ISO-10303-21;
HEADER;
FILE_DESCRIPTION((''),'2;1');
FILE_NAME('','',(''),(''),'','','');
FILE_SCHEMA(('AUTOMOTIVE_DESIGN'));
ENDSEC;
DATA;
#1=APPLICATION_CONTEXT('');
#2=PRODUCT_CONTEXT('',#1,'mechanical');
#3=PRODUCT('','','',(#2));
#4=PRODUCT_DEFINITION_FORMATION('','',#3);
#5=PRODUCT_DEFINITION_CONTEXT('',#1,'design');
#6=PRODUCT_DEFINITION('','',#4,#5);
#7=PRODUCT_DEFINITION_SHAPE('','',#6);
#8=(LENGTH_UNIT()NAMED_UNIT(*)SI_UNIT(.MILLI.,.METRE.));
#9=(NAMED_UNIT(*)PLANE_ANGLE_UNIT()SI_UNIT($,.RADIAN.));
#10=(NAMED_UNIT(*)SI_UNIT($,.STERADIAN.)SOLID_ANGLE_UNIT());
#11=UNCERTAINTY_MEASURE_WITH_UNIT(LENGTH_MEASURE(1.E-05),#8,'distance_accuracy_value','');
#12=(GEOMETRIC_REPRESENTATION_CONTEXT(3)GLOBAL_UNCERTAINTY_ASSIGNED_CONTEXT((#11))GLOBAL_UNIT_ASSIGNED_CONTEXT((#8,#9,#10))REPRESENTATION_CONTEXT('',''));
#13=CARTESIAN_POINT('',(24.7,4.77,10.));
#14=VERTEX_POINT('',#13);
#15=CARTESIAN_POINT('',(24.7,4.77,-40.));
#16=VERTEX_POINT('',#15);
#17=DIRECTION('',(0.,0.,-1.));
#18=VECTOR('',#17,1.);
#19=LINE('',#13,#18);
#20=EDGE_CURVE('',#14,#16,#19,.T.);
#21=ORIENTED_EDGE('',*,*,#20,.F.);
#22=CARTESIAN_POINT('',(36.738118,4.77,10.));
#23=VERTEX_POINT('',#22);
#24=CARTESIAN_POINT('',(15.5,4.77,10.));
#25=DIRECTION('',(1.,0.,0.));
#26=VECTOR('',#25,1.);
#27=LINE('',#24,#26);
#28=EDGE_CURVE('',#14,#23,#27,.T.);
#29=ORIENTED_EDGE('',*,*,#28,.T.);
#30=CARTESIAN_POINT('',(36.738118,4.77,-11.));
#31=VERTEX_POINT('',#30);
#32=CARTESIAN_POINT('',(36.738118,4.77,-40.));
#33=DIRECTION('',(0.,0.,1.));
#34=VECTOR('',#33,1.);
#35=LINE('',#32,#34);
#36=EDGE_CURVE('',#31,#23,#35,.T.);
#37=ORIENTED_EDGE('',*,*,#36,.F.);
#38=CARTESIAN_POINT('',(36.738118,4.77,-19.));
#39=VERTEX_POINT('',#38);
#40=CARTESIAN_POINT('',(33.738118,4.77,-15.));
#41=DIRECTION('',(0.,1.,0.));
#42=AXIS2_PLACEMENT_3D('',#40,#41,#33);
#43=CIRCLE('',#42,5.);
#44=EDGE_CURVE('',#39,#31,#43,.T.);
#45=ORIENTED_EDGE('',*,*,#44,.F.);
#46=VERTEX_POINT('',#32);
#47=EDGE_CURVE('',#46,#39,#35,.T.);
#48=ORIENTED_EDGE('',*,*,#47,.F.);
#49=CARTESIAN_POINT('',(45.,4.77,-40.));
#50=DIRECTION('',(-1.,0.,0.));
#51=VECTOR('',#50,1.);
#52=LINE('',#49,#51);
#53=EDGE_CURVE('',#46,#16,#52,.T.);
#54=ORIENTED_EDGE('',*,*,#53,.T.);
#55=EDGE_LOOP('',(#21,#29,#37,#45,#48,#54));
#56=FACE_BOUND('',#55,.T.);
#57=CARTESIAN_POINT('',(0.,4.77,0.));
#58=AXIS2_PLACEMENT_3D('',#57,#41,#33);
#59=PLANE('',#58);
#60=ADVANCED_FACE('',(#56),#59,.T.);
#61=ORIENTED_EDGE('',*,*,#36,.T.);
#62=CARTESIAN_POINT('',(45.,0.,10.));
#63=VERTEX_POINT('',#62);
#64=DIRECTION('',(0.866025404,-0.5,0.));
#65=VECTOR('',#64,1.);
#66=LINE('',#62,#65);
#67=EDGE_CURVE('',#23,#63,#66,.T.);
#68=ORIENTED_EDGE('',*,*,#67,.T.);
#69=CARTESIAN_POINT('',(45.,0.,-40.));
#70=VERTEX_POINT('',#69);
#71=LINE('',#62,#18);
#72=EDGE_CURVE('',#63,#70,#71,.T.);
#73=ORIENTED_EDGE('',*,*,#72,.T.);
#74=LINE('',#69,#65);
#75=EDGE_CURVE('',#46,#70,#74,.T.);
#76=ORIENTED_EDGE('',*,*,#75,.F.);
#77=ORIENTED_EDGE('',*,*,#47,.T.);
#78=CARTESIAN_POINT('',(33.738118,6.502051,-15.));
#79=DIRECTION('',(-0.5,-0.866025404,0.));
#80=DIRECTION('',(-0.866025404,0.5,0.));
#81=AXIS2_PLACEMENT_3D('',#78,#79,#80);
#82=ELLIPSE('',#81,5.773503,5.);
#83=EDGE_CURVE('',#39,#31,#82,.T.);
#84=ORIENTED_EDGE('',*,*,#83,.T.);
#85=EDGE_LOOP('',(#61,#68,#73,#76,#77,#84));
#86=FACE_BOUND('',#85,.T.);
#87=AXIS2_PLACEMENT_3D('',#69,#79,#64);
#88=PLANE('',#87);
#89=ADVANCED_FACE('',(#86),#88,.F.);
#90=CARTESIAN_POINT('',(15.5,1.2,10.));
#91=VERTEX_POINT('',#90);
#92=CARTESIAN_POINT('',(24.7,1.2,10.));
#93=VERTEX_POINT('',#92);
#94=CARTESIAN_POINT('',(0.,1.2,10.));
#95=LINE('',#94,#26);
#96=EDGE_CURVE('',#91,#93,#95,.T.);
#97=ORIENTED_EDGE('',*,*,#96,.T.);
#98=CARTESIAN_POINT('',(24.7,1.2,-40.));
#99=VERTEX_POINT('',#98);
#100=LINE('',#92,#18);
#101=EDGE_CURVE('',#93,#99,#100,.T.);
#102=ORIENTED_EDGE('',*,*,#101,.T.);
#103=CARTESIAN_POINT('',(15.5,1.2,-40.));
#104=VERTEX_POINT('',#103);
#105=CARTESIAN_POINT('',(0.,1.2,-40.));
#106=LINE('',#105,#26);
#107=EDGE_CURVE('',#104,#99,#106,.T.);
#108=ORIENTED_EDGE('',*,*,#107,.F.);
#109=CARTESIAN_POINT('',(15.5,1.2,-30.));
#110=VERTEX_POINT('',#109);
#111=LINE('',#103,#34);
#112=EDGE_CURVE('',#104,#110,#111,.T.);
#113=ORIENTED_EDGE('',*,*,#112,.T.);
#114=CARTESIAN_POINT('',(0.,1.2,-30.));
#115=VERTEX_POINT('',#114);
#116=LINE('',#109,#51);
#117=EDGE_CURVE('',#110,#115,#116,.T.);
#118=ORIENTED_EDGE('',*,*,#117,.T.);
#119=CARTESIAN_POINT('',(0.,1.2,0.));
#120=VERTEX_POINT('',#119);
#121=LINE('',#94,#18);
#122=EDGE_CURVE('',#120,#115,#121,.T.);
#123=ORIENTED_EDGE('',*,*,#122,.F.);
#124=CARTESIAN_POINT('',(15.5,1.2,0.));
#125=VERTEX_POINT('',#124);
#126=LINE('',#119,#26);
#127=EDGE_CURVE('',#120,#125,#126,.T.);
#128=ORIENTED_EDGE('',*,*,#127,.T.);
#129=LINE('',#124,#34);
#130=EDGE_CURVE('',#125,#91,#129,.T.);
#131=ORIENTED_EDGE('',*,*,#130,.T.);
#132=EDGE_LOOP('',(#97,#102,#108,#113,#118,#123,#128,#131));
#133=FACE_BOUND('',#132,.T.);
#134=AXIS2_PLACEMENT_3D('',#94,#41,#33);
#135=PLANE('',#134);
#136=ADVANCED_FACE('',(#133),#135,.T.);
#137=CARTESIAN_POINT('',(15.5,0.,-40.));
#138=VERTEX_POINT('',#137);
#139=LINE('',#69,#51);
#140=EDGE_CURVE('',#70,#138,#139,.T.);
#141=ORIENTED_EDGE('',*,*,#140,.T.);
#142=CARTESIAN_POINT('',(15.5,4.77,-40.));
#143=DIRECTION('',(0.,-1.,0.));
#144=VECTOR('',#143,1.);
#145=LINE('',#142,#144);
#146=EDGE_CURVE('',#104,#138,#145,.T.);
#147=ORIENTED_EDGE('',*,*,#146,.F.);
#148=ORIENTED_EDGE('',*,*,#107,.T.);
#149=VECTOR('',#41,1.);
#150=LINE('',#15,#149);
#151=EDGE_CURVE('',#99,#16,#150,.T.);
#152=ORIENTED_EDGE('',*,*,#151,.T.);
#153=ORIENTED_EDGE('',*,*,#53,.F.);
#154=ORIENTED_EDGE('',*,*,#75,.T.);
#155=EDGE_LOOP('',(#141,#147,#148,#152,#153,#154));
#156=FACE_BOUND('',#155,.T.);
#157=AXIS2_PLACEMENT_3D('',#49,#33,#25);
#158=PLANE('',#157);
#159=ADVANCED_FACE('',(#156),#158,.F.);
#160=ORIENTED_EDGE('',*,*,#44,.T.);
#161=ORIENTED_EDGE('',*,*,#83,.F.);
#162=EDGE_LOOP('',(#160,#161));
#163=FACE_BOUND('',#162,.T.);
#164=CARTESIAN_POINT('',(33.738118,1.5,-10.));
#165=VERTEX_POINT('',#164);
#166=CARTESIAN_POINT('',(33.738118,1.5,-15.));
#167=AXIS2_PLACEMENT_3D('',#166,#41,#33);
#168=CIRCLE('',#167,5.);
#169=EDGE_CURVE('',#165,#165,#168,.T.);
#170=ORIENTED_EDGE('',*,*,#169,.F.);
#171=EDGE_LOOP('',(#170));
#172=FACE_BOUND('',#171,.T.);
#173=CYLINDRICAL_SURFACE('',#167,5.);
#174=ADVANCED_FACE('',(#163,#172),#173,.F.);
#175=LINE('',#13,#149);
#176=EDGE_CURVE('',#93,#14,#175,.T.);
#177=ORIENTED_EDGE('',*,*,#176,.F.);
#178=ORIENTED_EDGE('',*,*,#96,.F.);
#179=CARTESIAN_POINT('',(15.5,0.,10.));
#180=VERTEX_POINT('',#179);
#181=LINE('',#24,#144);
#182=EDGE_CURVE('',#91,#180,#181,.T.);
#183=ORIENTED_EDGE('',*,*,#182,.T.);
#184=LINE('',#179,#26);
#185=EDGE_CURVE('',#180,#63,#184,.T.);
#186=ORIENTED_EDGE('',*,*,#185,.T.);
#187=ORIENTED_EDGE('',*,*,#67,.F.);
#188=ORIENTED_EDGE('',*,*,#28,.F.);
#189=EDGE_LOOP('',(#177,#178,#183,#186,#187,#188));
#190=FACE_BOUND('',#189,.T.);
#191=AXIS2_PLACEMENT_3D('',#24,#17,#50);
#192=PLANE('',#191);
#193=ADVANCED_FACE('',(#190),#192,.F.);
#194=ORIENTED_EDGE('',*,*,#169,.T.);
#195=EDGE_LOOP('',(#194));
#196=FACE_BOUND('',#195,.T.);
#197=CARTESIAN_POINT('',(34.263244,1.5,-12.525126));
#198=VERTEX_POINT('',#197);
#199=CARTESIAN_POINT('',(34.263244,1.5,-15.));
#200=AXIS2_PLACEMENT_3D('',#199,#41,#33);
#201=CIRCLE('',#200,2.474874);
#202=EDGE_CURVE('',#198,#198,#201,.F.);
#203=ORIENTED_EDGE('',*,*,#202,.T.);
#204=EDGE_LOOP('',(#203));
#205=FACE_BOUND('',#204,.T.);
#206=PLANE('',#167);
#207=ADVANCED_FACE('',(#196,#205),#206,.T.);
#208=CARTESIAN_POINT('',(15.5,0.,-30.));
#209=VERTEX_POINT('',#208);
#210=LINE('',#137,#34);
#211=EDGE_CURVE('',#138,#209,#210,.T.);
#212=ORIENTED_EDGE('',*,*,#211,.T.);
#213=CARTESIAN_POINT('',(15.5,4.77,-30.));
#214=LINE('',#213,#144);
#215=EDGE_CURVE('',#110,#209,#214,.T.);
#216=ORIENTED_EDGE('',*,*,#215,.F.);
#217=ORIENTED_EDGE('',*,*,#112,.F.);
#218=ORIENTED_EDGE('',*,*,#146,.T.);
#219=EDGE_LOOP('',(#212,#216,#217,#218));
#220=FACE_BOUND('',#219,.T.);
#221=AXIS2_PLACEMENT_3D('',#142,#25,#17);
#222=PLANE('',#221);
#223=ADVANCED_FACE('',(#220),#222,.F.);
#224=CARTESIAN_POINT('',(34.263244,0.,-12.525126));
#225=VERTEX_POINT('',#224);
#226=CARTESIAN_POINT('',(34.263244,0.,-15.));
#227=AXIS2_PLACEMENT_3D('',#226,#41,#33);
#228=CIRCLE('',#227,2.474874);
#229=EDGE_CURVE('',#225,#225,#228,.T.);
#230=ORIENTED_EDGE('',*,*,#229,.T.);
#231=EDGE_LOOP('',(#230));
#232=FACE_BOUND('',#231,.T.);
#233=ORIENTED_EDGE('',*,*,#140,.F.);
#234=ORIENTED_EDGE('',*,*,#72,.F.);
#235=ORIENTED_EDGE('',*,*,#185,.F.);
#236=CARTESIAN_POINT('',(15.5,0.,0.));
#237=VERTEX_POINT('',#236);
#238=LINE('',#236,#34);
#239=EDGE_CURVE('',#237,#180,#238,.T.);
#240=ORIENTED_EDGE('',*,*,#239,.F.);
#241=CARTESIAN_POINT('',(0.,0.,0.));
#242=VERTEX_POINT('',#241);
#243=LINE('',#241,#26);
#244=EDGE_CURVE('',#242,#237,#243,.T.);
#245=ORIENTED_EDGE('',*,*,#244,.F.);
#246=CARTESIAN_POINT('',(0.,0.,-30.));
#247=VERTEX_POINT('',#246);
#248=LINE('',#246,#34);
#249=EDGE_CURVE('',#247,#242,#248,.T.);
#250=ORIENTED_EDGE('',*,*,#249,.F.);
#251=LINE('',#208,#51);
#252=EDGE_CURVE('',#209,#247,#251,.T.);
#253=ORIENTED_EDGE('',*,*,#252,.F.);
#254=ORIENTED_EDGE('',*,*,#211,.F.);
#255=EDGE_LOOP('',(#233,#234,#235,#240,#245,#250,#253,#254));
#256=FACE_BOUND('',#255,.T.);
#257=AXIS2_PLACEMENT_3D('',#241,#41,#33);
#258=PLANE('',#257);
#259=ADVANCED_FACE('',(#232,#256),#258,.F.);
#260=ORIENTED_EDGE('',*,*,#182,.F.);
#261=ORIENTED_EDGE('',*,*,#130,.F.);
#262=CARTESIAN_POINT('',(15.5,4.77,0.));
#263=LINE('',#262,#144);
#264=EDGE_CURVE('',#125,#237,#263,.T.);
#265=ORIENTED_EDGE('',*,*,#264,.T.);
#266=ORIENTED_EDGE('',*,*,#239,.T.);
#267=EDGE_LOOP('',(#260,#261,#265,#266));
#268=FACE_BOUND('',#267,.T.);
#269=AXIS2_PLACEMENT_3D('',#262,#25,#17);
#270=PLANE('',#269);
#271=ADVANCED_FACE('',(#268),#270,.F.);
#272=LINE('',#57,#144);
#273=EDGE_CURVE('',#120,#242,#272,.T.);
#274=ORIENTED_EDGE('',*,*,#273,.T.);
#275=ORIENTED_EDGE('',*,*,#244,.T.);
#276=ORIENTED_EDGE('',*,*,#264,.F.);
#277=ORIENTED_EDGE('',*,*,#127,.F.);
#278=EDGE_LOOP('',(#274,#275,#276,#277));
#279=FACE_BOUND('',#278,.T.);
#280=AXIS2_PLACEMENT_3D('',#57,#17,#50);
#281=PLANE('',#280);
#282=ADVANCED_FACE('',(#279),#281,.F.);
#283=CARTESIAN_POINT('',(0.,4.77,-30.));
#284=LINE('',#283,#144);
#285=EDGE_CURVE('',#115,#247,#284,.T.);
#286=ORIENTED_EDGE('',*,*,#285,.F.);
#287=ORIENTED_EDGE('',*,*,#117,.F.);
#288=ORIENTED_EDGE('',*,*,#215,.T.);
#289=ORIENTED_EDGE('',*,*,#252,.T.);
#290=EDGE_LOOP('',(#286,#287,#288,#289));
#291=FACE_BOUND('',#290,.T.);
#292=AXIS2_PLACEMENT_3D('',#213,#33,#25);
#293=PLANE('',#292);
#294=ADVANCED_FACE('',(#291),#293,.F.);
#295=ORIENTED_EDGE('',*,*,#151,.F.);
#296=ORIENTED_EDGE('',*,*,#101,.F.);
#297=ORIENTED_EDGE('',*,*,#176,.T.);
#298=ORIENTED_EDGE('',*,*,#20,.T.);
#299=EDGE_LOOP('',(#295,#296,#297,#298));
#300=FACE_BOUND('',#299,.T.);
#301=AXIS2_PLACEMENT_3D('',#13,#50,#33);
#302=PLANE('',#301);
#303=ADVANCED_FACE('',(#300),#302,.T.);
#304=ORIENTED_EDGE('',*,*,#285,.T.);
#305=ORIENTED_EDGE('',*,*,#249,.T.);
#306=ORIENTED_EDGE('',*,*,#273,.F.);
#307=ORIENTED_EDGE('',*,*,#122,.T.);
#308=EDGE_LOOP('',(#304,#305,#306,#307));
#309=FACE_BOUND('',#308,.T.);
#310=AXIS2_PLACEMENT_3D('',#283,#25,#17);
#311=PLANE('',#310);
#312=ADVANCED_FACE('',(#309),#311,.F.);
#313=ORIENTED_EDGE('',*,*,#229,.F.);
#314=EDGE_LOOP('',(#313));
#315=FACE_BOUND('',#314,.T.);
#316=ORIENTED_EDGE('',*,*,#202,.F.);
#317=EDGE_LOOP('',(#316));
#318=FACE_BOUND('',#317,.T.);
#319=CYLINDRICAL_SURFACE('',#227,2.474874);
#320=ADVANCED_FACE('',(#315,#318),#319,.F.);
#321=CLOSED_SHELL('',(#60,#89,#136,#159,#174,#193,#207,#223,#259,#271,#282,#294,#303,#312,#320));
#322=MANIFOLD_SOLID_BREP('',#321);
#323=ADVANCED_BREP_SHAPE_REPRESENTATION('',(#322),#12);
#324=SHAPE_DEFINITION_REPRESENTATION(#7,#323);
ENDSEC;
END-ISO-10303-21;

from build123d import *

# Parameters (mm, degrees)
SALIENTE_EXTRUIR1_DEPTH = 4.77
CORTAR_EXTRUIR1_START   = -40
CROQUIS2_W              = 24.7
CROQUIS2_H              = 3.57
CORTAR_EXTRUIR1_DEPTH   = 50
CORTAR_EXTRUIR2_START   = -50
CORTAR_EXTRUIR2_DEPTH   = 50
CORTAR_EXTRUIR3_START   = -4.77
CROQUIS4_R              = 2.474873734
CORTAR_EXTRUIR3_DEPTH   = 4.77
CROQUIS5_R              = 5
CORTAR_EXTRUIR4_DEPTH   = 3.27


with BuildPart() as part:
    # Croquis1 → Saliente-Extruir1 (new body)
    with BuildSketch(Plane(origin=(0, 0, 0), x_dir=(1, 0, 0), z_dir=(0, 1, 0))):
        Polygon((0, 0), (15.5, 0), (15.5, -10), (45, -10), (45, 40), (15.5, 40), (15.5, 30), (0, 30), align=None)
    extrude(amount=SALIENTE_EXTRUIR1_DEPTH)

    # Croquis2 → Cortar-Extruir1 (cut)
    with BuildSketch(Plane.XY.offset(CORTAR_EXTRUIR1_START)):
        with Locations((12.35, 2.985)):
            Rectangle(CROQUIS2_W, CROQUIS2_H)
    extrude(amount=CORTAR_EXTRUIR1_DEPTH, mode=Mode.SUBTRACT)

    # Croquis3 → Cortar-Extruir2 (cut)
    with BuildSketch(Plane.XY.offset(10).offset(CORTAR_EXTRUIR2_START)):
        Polygon((45, 0), (36.738117648, 4.77), (45, 4.77), align=None)
    extrude(amount=CORTAR_EXTRUIR2_DEPTH, mode=Mode.SUBTRACT)

    # Croquis4 → Cortar-Extruir3 (cut)
    with BuildSketch(Plane(origin=(0, 4.77, 0), x_dir=(1, 0, 0), z_dir=(0, 1, 0)).offset(CORTAR_EXTRUIR3_START)):
        with Locations(Location((34.263243914, 15, 0), (0, 0, 270))):
            Circle(CROQUIS4_R)
    extrude(amount=CORTAR_EXTRUIR3_DEPTH, mode=Mode.SUBTRACT)

    # Croquis5 → Cortar-Extruir4 (cut)
    with BuildSketch(Plane(origin=(0, 4.77, 0), x_dir=(1, 0, 0), z_dir=(0, 1, 0))):
        with Locations(Location((33.738117648, 15, 0), (0, 0, 270))):
            Circle(CROQUIS5_R)
    extrude(amount=-CORTAR_EXTRUIR4_DEPTH, mode=Mode.SUBTRACT)


solid = part.part
